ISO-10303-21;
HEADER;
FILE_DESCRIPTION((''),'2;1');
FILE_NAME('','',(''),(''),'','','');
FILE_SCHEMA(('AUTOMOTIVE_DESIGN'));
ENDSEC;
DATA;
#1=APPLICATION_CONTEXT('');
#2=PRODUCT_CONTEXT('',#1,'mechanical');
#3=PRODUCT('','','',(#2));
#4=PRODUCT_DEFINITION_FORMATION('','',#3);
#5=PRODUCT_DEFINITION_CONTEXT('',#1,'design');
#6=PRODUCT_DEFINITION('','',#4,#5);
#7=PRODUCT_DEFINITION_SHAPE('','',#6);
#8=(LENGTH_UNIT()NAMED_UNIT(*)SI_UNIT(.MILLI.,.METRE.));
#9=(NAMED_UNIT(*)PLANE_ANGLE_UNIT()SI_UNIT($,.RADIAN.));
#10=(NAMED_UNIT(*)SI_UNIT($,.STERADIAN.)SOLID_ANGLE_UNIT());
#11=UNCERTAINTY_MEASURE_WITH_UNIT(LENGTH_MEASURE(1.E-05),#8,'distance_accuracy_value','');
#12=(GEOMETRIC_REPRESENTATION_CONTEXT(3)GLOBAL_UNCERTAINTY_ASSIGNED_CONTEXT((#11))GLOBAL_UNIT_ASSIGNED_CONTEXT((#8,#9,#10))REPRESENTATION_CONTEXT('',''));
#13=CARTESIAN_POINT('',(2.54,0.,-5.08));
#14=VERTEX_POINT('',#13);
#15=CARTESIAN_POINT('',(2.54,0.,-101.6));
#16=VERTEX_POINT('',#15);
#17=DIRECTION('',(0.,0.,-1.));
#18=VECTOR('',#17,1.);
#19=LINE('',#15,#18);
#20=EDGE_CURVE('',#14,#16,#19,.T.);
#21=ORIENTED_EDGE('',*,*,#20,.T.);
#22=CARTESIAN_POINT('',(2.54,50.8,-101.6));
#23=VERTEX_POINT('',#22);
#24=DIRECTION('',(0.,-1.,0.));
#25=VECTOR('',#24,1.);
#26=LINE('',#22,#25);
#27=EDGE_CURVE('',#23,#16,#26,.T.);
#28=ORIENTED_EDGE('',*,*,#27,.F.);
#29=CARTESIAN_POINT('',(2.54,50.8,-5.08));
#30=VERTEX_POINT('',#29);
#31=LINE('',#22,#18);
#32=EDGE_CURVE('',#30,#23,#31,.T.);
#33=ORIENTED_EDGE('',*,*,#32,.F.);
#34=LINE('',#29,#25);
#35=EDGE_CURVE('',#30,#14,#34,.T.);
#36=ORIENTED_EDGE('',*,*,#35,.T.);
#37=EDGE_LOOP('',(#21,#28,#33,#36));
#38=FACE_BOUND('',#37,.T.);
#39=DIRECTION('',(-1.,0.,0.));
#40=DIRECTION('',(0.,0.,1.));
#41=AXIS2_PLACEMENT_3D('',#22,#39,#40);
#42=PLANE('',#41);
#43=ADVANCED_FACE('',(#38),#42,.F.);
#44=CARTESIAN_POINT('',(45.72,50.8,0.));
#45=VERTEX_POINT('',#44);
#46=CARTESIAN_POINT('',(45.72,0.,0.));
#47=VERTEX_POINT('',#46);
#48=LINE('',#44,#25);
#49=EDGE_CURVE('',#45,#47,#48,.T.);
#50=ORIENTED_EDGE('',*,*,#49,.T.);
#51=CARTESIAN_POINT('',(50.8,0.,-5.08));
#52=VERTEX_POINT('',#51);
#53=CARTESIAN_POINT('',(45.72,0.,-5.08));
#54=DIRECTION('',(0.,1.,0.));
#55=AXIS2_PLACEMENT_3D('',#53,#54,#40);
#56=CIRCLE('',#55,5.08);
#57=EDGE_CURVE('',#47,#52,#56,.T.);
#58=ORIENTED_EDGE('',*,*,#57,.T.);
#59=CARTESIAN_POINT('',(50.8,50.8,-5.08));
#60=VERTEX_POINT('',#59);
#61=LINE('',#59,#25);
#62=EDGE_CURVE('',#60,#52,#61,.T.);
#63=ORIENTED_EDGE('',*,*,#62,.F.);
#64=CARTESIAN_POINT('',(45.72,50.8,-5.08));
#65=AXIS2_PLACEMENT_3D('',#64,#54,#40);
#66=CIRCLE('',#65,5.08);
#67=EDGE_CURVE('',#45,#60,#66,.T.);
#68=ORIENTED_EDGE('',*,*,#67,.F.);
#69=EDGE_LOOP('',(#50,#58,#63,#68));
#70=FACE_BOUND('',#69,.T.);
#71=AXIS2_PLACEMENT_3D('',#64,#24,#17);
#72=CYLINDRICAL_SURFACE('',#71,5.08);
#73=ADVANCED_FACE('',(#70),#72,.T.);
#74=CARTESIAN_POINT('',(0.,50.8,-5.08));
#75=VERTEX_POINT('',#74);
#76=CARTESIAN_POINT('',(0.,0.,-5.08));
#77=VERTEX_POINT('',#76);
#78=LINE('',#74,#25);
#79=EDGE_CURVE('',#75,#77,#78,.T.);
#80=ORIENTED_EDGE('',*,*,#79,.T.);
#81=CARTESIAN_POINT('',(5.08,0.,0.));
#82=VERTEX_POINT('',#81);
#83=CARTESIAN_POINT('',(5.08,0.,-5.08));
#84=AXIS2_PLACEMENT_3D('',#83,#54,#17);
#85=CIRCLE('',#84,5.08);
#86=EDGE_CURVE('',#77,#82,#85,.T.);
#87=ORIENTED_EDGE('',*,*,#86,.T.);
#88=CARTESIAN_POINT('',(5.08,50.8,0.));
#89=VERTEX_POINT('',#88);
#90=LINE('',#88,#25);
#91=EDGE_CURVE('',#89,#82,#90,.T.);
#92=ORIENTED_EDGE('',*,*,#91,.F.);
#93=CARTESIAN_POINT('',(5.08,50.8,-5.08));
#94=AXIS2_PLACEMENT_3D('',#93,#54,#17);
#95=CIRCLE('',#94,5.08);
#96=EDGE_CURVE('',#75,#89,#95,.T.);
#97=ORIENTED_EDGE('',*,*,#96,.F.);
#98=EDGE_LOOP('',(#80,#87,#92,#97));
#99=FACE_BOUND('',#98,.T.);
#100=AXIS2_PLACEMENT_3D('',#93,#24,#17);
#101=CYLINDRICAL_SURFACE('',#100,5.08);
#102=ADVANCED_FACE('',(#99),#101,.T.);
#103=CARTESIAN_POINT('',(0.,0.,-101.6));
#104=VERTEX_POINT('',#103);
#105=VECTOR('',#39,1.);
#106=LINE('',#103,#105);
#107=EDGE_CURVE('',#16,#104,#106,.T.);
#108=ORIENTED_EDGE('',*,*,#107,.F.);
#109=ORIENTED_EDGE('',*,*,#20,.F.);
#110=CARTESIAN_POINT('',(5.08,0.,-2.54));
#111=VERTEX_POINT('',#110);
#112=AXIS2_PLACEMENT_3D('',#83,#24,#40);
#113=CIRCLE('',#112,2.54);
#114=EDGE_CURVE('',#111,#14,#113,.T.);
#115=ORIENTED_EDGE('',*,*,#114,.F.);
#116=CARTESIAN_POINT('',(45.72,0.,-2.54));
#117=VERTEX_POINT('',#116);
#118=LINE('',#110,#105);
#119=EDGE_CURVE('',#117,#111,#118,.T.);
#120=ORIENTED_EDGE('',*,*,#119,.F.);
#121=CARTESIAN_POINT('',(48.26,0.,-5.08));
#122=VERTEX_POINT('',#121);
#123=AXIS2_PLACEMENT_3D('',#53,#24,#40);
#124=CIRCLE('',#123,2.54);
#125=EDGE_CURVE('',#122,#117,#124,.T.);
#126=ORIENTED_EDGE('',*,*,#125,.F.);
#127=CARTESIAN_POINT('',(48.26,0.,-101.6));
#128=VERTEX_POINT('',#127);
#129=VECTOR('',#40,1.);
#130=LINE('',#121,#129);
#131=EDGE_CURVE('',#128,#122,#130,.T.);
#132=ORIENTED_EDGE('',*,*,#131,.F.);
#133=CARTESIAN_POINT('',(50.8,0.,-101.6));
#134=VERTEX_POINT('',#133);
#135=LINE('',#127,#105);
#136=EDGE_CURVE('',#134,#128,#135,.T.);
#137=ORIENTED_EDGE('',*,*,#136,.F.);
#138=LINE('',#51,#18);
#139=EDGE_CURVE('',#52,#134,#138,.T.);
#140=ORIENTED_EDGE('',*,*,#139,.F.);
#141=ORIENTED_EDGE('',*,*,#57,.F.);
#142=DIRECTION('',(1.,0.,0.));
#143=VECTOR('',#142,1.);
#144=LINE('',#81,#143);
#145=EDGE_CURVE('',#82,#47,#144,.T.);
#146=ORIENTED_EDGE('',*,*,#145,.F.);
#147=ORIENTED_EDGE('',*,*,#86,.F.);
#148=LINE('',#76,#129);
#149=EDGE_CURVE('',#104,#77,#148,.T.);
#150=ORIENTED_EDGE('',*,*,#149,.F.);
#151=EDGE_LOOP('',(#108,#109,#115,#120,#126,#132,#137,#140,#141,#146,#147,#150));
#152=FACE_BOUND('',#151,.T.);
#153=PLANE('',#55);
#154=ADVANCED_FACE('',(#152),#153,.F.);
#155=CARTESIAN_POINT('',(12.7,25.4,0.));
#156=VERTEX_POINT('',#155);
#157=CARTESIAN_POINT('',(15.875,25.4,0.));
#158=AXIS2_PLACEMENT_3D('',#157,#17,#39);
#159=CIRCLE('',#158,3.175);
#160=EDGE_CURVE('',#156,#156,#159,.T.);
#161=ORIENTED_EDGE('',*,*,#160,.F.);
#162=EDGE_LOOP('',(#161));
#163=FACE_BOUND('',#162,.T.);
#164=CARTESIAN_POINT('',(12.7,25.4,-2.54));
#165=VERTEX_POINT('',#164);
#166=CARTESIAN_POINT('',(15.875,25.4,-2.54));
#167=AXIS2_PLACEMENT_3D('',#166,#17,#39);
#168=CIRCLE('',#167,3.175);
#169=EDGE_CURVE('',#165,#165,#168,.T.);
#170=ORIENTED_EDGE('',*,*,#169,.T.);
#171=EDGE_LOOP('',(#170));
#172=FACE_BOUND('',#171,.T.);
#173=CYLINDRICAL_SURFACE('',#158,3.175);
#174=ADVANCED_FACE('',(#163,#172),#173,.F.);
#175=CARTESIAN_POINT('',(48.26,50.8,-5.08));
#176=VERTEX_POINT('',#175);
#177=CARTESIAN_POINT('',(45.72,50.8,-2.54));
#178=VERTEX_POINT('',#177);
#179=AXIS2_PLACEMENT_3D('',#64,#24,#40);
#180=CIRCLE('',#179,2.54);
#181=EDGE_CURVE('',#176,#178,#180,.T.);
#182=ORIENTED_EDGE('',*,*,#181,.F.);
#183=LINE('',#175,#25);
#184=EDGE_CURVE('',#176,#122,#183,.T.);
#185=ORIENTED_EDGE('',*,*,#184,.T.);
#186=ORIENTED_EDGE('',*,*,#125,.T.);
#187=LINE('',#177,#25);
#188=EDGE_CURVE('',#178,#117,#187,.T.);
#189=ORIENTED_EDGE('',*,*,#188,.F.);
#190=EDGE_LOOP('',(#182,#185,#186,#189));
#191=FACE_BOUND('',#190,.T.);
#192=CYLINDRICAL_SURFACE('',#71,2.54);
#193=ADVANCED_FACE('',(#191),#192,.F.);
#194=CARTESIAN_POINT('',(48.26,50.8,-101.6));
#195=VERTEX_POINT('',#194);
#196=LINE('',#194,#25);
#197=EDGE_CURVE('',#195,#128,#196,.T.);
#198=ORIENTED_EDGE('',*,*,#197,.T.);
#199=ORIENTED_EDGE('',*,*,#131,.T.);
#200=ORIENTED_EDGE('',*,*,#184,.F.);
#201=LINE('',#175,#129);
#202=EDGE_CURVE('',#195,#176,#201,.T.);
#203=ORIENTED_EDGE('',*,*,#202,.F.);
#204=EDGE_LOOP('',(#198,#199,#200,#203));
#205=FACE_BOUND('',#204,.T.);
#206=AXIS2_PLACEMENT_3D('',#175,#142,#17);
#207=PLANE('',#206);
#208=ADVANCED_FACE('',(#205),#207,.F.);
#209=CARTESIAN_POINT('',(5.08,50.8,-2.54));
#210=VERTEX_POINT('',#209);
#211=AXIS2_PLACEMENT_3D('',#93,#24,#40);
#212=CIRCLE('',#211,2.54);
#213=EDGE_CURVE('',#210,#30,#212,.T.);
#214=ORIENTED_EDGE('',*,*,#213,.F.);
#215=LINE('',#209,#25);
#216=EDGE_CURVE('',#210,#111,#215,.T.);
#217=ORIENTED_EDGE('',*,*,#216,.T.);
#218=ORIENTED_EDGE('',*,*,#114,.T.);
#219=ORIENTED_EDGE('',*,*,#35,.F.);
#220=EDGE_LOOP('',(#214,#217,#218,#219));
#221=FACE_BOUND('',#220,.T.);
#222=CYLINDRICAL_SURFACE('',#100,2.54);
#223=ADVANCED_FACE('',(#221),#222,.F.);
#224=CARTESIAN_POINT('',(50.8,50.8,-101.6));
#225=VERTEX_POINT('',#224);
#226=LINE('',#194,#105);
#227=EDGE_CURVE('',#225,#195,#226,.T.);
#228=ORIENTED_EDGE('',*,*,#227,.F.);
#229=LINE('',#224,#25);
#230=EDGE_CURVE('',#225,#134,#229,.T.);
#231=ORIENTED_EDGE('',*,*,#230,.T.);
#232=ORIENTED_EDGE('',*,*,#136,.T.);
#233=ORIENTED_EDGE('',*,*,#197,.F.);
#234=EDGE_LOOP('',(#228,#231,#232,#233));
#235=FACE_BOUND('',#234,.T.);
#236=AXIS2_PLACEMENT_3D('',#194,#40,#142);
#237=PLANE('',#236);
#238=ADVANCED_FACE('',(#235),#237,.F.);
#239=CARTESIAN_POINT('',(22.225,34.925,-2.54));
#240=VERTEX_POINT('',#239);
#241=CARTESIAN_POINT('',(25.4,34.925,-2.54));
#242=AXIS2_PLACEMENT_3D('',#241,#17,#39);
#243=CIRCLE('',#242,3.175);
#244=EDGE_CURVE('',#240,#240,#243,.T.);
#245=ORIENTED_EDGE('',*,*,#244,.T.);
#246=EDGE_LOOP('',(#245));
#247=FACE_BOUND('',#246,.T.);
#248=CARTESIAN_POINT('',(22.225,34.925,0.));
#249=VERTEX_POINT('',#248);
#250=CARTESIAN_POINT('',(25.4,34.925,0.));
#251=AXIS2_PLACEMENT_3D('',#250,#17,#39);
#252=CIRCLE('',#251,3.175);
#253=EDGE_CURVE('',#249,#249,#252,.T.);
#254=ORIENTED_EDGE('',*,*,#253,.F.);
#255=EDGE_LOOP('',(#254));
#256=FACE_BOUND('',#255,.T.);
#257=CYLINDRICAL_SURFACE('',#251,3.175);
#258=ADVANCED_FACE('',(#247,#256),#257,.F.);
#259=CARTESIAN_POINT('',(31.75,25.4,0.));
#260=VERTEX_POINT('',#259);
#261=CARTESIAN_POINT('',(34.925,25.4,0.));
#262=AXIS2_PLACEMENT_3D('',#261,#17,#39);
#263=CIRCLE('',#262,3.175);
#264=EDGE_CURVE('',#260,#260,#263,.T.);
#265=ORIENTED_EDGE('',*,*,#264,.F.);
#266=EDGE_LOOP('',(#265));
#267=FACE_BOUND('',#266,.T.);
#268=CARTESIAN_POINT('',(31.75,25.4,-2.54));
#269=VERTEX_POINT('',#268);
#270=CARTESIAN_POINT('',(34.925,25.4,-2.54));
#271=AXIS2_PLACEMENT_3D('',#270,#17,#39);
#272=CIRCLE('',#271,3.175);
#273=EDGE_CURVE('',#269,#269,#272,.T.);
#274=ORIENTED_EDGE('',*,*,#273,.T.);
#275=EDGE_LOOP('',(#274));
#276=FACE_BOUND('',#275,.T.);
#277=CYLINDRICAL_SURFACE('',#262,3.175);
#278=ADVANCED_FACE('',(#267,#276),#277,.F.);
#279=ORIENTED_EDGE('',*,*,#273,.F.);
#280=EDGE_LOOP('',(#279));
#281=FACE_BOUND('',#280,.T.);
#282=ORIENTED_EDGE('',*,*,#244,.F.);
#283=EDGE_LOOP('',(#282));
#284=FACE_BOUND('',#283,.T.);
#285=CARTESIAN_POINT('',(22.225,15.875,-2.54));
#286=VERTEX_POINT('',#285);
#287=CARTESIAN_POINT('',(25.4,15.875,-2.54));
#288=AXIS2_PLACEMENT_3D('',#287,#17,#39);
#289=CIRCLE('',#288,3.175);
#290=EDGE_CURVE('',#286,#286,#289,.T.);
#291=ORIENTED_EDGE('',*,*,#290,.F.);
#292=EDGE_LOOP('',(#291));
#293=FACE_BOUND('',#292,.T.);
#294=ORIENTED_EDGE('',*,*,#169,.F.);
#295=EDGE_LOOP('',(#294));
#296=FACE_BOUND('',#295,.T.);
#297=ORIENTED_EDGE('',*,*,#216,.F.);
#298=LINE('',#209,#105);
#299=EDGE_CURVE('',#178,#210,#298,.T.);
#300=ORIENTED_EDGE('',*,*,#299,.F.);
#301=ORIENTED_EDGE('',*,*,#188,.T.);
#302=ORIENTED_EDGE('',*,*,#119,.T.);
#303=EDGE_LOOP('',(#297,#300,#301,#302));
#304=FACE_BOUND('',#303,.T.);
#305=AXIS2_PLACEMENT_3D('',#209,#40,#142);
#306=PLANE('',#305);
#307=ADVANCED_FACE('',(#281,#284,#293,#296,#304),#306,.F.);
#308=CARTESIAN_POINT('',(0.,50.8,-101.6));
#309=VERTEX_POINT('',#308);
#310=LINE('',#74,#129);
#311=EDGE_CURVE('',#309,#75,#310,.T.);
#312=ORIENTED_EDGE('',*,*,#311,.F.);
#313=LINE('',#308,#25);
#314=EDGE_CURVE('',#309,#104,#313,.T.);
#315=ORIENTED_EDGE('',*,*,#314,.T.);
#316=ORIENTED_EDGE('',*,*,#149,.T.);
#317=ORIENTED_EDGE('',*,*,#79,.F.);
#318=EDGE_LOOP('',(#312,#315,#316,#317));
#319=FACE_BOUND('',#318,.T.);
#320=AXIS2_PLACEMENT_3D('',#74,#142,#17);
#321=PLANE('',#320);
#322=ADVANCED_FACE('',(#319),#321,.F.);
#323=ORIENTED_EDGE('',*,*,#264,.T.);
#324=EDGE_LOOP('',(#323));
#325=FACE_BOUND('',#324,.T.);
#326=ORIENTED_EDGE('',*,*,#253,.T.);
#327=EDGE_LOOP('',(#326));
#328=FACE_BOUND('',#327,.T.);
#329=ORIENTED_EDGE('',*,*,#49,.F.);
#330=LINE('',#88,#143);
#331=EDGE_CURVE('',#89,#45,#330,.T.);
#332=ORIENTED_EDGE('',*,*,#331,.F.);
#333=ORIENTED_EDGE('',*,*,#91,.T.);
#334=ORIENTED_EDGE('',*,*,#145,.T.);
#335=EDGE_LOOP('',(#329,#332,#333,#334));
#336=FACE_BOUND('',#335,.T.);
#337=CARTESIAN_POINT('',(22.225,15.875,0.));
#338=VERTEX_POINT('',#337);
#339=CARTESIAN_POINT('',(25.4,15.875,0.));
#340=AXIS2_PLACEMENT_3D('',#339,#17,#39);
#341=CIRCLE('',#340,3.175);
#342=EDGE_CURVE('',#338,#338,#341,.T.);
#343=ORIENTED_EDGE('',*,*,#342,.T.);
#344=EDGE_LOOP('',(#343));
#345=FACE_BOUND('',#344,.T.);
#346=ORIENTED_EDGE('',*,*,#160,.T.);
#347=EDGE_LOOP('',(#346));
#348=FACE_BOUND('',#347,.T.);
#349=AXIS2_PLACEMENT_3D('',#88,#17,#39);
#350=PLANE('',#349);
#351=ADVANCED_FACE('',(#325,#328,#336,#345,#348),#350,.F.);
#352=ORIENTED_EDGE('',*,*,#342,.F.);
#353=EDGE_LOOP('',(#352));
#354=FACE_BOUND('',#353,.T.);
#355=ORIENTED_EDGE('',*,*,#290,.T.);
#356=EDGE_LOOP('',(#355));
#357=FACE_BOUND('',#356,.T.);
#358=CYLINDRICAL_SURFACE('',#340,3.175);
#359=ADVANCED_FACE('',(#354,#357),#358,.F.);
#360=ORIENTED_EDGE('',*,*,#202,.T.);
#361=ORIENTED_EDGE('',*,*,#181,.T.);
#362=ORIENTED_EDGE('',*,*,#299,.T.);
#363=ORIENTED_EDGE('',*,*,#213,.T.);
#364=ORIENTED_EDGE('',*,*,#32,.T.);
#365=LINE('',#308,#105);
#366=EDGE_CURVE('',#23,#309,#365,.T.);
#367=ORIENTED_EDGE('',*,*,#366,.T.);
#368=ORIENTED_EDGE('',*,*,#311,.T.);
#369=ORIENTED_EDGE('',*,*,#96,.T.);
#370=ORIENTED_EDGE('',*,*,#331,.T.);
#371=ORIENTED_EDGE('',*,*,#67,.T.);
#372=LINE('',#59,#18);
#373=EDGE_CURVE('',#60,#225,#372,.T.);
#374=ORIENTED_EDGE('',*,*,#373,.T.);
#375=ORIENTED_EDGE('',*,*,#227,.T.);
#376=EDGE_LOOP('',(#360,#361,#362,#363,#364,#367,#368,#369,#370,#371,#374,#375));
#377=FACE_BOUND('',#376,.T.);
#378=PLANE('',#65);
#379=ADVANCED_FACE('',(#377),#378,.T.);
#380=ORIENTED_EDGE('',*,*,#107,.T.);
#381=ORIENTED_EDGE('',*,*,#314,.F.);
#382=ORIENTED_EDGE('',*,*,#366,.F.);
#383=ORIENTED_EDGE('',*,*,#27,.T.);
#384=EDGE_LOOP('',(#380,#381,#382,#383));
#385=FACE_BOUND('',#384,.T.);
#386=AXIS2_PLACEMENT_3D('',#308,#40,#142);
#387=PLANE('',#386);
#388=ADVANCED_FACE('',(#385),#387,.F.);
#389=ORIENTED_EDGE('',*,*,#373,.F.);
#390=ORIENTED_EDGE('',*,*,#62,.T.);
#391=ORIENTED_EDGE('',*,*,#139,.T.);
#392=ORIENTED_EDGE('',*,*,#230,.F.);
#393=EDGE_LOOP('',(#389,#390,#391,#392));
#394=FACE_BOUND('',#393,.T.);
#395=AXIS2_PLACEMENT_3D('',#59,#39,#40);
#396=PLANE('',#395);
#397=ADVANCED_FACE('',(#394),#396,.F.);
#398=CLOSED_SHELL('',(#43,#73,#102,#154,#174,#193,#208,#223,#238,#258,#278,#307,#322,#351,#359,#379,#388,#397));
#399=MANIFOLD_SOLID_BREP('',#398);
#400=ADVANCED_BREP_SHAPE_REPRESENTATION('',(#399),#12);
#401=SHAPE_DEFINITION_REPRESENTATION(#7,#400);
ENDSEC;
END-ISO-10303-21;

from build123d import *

# Parameters (mm, degrees)
BOSS_EXTRUDE1_DEPTH = 50.8
SKETCH2_R           = 3.175
CUT_EXTRUDE2_DEPTH  = 123.36896502


with BuildPart() as part:
    # Sketch1 → Boss-Extrude1 (new body)
    with BuildSketch(Plane(origin=(0, 0, 0), x_dir=(1, 0, 0), z_dir=(0, 1, 0))):
        with BuildLine():
            Line((0, 101.6), (2.54, 101.6))
            Line((2.54, 101.6), (2.54, 5.08))
            ThreePointArc((2.54, 5.08), (3.283948776, 3.283948776), (5.08, 2.54))
            Line((5.08, 2.54), (45.72, 2.54))
            ThreePointArc((45.72, 2.54), (47.516051224, 3.283948776), (48.26, 5.08))
            Line((48.26, 5.08), (48.26, 101.6))
            Line((48.26, 101.6), (50.8, 101.6))
            Line((50.8, 101.6), (50.8, 5.08))
            ThreePointArc((50.8, 5.08), (49.312102448, 1.487897552), (45.72, 0))
            Line((45.72, 0), (5.08, 0))
            ThreePointArc((5.08, 0), (1.487897552, 1.487897552), (0, 5.08))
            Line((0, 5.08), (0, 101.6))
        make_face()
    extrude(amount=BOSS_EXTRUDE1_DEPTH)

    # Sketch2 → Cut-Extrude2 (cut, through all)
    with BuildSketch(Plane(origin=(0, 0, -2.54), x_dir=(-1, 0, 0), z_dir=(0, 0, -1))):
        with Locations((-34.925, 25.4)):
            Circle(SKETCH2_R)
        with Locations((-25.4, 34.925)):
            Circle(SKETCH2_R)
        with Locations((-15.875, 25.4)):
            Circle(SKETCH2_R)
        with Locations((-25.4, 15.875)):
            Circle(SKETCH2_R)
    extrude(amount=-CUT_EXTRUDE2_DEPTH, mode=Mode.SUBTRACT)


solid = part.part
